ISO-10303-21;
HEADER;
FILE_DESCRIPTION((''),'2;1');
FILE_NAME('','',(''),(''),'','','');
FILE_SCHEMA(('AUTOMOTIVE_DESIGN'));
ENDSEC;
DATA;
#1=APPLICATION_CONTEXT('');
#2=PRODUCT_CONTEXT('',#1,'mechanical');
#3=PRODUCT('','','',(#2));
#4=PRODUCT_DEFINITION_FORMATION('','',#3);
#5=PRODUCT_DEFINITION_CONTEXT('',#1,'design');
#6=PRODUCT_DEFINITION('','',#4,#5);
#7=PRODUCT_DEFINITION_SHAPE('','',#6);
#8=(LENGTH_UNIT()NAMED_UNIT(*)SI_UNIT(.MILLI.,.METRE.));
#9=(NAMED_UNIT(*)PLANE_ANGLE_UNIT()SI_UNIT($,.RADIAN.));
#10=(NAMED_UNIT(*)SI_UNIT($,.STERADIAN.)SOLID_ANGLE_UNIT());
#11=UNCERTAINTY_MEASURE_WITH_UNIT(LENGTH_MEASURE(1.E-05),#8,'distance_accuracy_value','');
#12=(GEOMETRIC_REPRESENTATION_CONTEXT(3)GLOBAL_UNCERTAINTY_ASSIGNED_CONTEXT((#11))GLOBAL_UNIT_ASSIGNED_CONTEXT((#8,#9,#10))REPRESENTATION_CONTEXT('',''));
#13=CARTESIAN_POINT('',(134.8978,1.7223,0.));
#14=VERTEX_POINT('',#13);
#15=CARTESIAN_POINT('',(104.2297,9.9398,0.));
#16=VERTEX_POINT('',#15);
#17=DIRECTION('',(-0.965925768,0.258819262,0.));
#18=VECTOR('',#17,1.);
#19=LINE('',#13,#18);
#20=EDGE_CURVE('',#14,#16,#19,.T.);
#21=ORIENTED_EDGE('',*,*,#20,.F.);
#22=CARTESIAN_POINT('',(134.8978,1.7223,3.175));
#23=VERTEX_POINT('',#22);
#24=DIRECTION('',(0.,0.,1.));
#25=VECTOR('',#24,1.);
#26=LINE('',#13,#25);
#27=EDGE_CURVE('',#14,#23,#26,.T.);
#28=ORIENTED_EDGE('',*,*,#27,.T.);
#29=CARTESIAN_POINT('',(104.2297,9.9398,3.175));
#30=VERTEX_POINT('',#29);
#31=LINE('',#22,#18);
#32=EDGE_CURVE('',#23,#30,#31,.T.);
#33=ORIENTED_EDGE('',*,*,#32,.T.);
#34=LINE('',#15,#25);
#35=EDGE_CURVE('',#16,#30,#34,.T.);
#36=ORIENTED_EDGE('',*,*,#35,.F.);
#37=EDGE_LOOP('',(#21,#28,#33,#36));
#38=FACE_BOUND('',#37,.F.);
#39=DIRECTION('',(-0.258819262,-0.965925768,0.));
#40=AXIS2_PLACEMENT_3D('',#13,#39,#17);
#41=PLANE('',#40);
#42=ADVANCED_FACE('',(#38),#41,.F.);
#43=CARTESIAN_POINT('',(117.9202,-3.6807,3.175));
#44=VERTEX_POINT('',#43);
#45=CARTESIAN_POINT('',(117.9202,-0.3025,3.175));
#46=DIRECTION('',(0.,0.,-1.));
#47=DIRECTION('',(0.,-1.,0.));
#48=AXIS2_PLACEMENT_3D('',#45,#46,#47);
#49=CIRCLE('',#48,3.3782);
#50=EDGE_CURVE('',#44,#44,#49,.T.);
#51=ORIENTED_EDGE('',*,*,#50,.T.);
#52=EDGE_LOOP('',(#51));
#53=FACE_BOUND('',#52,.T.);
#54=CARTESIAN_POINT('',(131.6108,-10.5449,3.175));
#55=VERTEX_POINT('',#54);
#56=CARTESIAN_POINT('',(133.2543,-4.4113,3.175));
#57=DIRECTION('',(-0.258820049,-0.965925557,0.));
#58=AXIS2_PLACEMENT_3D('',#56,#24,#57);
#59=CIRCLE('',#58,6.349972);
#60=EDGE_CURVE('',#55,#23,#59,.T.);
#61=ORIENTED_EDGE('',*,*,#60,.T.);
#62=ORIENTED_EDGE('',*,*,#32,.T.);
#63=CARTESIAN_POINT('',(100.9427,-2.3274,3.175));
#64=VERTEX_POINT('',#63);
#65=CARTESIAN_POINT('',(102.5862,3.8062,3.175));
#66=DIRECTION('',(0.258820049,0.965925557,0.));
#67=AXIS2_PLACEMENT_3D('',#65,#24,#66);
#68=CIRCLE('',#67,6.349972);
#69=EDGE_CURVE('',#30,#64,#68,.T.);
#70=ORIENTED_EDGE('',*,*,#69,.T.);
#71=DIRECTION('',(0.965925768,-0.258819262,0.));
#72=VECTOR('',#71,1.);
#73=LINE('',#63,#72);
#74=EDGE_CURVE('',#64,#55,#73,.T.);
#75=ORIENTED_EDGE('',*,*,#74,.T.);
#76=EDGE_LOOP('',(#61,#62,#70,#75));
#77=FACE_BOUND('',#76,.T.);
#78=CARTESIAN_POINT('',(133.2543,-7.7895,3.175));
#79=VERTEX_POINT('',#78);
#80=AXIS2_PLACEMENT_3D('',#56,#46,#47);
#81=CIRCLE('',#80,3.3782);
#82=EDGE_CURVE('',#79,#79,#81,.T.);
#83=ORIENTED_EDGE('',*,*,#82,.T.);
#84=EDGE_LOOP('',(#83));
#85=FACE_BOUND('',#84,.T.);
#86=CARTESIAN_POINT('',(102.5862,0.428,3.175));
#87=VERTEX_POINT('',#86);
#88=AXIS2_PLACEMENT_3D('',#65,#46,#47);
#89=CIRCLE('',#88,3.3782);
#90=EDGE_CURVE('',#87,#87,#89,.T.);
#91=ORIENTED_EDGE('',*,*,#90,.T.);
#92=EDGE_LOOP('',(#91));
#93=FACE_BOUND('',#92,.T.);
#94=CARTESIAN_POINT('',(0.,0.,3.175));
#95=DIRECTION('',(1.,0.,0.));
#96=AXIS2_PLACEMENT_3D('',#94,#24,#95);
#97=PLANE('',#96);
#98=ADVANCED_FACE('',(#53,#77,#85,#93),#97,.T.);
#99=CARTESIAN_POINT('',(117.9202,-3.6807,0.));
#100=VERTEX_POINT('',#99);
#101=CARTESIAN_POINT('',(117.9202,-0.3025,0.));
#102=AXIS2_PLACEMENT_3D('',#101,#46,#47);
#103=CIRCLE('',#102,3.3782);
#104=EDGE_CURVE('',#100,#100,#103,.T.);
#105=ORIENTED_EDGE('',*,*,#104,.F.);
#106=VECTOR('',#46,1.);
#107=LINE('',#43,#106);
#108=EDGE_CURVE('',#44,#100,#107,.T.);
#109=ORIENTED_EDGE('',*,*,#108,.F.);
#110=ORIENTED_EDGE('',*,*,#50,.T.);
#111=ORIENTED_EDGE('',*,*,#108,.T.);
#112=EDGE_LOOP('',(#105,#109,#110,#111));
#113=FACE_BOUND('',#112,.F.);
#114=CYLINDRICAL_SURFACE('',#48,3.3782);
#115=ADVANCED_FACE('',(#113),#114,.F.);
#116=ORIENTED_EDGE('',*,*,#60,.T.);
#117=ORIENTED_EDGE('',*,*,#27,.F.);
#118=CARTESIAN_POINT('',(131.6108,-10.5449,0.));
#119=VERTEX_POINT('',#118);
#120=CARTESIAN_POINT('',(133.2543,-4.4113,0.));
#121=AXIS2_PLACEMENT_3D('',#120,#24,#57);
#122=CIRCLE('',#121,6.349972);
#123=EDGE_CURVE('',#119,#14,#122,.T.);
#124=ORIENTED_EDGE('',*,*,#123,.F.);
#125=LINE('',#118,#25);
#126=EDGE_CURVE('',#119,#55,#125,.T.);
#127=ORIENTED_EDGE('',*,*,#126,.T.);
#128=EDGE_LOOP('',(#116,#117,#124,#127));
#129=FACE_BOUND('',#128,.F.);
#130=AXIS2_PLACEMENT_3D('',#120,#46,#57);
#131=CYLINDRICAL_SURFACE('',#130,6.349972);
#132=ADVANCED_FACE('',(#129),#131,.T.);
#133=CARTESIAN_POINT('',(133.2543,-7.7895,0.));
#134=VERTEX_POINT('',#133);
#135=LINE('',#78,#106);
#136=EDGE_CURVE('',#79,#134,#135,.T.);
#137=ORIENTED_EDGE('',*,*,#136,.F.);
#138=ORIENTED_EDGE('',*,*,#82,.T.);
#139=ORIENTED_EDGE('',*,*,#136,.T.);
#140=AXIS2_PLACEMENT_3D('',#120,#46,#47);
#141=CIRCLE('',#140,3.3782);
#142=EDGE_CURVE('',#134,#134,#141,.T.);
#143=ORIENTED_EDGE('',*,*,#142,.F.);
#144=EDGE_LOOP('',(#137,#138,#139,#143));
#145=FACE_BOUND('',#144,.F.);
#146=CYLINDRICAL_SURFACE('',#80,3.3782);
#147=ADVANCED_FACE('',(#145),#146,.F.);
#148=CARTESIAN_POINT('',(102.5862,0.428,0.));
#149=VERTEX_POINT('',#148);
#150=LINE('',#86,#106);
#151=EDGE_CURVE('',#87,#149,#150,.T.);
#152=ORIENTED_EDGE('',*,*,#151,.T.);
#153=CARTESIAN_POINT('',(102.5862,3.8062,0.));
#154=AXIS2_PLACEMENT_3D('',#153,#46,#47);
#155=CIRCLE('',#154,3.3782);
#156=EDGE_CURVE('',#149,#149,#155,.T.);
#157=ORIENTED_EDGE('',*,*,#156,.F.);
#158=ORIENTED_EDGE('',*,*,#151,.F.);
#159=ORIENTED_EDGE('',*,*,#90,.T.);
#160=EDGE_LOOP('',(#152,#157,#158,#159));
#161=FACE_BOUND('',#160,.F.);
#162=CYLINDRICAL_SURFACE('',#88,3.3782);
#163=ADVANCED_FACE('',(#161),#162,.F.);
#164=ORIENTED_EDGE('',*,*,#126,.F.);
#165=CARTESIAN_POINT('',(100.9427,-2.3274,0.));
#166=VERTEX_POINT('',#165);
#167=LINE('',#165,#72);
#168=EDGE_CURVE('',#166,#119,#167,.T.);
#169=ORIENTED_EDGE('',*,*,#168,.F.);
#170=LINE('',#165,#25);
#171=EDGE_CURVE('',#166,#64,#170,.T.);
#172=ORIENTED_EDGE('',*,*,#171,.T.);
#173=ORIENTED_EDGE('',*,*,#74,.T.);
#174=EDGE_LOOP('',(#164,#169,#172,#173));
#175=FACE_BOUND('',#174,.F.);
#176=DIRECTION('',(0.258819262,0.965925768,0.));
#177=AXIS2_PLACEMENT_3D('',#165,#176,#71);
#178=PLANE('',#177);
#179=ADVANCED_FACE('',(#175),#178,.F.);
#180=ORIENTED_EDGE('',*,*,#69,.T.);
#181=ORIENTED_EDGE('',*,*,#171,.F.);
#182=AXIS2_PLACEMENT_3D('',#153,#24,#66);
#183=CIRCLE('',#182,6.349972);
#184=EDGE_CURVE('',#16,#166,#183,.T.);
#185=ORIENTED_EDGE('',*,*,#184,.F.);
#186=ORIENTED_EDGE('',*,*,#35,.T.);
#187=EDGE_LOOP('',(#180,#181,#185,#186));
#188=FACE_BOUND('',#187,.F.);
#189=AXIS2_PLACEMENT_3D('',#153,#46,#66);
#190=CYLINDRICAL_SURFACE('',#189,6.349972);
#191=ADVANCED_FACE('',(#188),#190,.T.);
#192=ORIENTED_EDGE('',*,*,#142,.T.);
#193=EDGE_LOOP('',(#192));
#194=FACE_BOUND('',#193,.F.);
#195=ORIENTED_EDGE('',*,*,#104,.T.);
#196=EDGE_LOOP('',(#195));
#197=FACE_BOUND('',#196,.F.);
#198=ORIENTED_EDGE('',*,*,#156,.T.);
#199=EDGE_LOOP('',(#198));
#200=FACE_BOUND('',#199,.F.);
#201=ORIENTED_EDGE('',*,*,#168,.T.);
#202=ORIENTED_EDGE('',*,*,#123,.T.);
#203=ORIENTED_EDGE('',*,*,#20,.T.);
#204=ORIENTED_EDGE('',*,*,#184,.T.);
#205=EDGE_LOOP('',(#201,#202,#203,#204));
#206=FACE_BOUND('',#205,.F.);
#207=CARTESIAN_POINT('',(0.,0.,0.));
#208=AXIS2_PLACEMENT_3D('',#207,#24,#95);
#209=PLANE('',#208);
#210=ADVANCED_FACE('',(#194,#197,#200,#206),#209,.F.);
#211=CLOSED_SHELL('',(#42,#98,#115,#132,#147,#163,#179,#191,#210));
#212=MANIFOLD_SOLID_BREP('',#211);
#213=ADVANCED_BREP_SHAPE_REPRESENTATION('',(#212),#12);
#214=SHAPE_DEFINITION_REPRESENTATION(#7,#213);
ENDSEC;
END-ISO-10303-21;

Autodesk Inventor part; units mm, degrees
ref_plane "YZ Plane" through (0, 0, 0) normal (1, 0, 0) x (0, 1, 0)
ref_plane "XZ Plane" through (0, 0, 0) normal (0, 1, 0) x (-1, 0, 0)
ref_plane "Work Plane1" through (0, 0, 0) normal (0, 0, 1) x (1, 0, 0)
sketch "Sketch1" plane through (0, 0, 0) normal (0, 0, 1) x (1, 0, 0)
  circle A0 centre (102.5862, 3.8062) radius 3.3782 construction
  line L0 (119.5637, 5.8311) -> (123.8699, 21.902) construction
  line L1 (113.1593, -18.0706) -> (116.2767, -6.4362) construction
  line L2 (116.2767, -6.4362) -> (119.5637, 5.8311) construction
  line L3 (117.9202, -0.3025) -> (102.5862, 3.8062) construction
  line L4 (117.9202, -0.3025) -> (133.2543, -4.4113) construction
  line L5 (133.2543, -4.4113) -> (102.5862, 3.8062) construction
  line L6 (134.8978, 1.7223) -> (104.2297, 9.9398)
  line L7 (100.9427, -2.3274) -> (131.6108, -10.5449)
  arc A1 (131.6108, -10.5449) -> (134.8978, 1.7223) centre (133.2543, -4.4113) ccw
  arc A2 (104.2297, 9.9398) -> (100.9427, -2.3274) centre (102.5862, 3.8062) ccw
  point P0 (0, 0)
  point P1 (117.9202, -0.3025)
  dimension "d0" = 15.875
  dimension "d1" = 12.7
extrude "Extrusion1" add sketch "Sketch1" along normal blind 3.175
sketch "Sketch2" plane through (0, 0, 3.175) normal (0, 0, 1) x (1, 0, 0)
  arc A0 (104.2297, 9.9398) -> (100.9427, -2.3274) centre (102.5862, 3.8062) ccw construction
  arc A1 (131.6108, -10.5449) -> (134.8978, 1.7223) centre (133.2543, -4.4113) ccw construction
  line L0 (102.5862, 3.8062) -> (133.2543, -4.4113) construction
  point P0 (0, 0)
  point P1 (117.9202, -0.3025)
hole "Hole1" at (102.5862, 3.8062, 3.175) at (117.9202, -0.3025, 3.175) at (133.2543, -4.4113, 3.175) direction (0, 0, -1) diameter 6.7564 depth 13.6144 clearance for "Flat Head Machine Screw (82)" size "1/4" standard "Ansi Unified Screw Threads"
properties part number "Joiner"
